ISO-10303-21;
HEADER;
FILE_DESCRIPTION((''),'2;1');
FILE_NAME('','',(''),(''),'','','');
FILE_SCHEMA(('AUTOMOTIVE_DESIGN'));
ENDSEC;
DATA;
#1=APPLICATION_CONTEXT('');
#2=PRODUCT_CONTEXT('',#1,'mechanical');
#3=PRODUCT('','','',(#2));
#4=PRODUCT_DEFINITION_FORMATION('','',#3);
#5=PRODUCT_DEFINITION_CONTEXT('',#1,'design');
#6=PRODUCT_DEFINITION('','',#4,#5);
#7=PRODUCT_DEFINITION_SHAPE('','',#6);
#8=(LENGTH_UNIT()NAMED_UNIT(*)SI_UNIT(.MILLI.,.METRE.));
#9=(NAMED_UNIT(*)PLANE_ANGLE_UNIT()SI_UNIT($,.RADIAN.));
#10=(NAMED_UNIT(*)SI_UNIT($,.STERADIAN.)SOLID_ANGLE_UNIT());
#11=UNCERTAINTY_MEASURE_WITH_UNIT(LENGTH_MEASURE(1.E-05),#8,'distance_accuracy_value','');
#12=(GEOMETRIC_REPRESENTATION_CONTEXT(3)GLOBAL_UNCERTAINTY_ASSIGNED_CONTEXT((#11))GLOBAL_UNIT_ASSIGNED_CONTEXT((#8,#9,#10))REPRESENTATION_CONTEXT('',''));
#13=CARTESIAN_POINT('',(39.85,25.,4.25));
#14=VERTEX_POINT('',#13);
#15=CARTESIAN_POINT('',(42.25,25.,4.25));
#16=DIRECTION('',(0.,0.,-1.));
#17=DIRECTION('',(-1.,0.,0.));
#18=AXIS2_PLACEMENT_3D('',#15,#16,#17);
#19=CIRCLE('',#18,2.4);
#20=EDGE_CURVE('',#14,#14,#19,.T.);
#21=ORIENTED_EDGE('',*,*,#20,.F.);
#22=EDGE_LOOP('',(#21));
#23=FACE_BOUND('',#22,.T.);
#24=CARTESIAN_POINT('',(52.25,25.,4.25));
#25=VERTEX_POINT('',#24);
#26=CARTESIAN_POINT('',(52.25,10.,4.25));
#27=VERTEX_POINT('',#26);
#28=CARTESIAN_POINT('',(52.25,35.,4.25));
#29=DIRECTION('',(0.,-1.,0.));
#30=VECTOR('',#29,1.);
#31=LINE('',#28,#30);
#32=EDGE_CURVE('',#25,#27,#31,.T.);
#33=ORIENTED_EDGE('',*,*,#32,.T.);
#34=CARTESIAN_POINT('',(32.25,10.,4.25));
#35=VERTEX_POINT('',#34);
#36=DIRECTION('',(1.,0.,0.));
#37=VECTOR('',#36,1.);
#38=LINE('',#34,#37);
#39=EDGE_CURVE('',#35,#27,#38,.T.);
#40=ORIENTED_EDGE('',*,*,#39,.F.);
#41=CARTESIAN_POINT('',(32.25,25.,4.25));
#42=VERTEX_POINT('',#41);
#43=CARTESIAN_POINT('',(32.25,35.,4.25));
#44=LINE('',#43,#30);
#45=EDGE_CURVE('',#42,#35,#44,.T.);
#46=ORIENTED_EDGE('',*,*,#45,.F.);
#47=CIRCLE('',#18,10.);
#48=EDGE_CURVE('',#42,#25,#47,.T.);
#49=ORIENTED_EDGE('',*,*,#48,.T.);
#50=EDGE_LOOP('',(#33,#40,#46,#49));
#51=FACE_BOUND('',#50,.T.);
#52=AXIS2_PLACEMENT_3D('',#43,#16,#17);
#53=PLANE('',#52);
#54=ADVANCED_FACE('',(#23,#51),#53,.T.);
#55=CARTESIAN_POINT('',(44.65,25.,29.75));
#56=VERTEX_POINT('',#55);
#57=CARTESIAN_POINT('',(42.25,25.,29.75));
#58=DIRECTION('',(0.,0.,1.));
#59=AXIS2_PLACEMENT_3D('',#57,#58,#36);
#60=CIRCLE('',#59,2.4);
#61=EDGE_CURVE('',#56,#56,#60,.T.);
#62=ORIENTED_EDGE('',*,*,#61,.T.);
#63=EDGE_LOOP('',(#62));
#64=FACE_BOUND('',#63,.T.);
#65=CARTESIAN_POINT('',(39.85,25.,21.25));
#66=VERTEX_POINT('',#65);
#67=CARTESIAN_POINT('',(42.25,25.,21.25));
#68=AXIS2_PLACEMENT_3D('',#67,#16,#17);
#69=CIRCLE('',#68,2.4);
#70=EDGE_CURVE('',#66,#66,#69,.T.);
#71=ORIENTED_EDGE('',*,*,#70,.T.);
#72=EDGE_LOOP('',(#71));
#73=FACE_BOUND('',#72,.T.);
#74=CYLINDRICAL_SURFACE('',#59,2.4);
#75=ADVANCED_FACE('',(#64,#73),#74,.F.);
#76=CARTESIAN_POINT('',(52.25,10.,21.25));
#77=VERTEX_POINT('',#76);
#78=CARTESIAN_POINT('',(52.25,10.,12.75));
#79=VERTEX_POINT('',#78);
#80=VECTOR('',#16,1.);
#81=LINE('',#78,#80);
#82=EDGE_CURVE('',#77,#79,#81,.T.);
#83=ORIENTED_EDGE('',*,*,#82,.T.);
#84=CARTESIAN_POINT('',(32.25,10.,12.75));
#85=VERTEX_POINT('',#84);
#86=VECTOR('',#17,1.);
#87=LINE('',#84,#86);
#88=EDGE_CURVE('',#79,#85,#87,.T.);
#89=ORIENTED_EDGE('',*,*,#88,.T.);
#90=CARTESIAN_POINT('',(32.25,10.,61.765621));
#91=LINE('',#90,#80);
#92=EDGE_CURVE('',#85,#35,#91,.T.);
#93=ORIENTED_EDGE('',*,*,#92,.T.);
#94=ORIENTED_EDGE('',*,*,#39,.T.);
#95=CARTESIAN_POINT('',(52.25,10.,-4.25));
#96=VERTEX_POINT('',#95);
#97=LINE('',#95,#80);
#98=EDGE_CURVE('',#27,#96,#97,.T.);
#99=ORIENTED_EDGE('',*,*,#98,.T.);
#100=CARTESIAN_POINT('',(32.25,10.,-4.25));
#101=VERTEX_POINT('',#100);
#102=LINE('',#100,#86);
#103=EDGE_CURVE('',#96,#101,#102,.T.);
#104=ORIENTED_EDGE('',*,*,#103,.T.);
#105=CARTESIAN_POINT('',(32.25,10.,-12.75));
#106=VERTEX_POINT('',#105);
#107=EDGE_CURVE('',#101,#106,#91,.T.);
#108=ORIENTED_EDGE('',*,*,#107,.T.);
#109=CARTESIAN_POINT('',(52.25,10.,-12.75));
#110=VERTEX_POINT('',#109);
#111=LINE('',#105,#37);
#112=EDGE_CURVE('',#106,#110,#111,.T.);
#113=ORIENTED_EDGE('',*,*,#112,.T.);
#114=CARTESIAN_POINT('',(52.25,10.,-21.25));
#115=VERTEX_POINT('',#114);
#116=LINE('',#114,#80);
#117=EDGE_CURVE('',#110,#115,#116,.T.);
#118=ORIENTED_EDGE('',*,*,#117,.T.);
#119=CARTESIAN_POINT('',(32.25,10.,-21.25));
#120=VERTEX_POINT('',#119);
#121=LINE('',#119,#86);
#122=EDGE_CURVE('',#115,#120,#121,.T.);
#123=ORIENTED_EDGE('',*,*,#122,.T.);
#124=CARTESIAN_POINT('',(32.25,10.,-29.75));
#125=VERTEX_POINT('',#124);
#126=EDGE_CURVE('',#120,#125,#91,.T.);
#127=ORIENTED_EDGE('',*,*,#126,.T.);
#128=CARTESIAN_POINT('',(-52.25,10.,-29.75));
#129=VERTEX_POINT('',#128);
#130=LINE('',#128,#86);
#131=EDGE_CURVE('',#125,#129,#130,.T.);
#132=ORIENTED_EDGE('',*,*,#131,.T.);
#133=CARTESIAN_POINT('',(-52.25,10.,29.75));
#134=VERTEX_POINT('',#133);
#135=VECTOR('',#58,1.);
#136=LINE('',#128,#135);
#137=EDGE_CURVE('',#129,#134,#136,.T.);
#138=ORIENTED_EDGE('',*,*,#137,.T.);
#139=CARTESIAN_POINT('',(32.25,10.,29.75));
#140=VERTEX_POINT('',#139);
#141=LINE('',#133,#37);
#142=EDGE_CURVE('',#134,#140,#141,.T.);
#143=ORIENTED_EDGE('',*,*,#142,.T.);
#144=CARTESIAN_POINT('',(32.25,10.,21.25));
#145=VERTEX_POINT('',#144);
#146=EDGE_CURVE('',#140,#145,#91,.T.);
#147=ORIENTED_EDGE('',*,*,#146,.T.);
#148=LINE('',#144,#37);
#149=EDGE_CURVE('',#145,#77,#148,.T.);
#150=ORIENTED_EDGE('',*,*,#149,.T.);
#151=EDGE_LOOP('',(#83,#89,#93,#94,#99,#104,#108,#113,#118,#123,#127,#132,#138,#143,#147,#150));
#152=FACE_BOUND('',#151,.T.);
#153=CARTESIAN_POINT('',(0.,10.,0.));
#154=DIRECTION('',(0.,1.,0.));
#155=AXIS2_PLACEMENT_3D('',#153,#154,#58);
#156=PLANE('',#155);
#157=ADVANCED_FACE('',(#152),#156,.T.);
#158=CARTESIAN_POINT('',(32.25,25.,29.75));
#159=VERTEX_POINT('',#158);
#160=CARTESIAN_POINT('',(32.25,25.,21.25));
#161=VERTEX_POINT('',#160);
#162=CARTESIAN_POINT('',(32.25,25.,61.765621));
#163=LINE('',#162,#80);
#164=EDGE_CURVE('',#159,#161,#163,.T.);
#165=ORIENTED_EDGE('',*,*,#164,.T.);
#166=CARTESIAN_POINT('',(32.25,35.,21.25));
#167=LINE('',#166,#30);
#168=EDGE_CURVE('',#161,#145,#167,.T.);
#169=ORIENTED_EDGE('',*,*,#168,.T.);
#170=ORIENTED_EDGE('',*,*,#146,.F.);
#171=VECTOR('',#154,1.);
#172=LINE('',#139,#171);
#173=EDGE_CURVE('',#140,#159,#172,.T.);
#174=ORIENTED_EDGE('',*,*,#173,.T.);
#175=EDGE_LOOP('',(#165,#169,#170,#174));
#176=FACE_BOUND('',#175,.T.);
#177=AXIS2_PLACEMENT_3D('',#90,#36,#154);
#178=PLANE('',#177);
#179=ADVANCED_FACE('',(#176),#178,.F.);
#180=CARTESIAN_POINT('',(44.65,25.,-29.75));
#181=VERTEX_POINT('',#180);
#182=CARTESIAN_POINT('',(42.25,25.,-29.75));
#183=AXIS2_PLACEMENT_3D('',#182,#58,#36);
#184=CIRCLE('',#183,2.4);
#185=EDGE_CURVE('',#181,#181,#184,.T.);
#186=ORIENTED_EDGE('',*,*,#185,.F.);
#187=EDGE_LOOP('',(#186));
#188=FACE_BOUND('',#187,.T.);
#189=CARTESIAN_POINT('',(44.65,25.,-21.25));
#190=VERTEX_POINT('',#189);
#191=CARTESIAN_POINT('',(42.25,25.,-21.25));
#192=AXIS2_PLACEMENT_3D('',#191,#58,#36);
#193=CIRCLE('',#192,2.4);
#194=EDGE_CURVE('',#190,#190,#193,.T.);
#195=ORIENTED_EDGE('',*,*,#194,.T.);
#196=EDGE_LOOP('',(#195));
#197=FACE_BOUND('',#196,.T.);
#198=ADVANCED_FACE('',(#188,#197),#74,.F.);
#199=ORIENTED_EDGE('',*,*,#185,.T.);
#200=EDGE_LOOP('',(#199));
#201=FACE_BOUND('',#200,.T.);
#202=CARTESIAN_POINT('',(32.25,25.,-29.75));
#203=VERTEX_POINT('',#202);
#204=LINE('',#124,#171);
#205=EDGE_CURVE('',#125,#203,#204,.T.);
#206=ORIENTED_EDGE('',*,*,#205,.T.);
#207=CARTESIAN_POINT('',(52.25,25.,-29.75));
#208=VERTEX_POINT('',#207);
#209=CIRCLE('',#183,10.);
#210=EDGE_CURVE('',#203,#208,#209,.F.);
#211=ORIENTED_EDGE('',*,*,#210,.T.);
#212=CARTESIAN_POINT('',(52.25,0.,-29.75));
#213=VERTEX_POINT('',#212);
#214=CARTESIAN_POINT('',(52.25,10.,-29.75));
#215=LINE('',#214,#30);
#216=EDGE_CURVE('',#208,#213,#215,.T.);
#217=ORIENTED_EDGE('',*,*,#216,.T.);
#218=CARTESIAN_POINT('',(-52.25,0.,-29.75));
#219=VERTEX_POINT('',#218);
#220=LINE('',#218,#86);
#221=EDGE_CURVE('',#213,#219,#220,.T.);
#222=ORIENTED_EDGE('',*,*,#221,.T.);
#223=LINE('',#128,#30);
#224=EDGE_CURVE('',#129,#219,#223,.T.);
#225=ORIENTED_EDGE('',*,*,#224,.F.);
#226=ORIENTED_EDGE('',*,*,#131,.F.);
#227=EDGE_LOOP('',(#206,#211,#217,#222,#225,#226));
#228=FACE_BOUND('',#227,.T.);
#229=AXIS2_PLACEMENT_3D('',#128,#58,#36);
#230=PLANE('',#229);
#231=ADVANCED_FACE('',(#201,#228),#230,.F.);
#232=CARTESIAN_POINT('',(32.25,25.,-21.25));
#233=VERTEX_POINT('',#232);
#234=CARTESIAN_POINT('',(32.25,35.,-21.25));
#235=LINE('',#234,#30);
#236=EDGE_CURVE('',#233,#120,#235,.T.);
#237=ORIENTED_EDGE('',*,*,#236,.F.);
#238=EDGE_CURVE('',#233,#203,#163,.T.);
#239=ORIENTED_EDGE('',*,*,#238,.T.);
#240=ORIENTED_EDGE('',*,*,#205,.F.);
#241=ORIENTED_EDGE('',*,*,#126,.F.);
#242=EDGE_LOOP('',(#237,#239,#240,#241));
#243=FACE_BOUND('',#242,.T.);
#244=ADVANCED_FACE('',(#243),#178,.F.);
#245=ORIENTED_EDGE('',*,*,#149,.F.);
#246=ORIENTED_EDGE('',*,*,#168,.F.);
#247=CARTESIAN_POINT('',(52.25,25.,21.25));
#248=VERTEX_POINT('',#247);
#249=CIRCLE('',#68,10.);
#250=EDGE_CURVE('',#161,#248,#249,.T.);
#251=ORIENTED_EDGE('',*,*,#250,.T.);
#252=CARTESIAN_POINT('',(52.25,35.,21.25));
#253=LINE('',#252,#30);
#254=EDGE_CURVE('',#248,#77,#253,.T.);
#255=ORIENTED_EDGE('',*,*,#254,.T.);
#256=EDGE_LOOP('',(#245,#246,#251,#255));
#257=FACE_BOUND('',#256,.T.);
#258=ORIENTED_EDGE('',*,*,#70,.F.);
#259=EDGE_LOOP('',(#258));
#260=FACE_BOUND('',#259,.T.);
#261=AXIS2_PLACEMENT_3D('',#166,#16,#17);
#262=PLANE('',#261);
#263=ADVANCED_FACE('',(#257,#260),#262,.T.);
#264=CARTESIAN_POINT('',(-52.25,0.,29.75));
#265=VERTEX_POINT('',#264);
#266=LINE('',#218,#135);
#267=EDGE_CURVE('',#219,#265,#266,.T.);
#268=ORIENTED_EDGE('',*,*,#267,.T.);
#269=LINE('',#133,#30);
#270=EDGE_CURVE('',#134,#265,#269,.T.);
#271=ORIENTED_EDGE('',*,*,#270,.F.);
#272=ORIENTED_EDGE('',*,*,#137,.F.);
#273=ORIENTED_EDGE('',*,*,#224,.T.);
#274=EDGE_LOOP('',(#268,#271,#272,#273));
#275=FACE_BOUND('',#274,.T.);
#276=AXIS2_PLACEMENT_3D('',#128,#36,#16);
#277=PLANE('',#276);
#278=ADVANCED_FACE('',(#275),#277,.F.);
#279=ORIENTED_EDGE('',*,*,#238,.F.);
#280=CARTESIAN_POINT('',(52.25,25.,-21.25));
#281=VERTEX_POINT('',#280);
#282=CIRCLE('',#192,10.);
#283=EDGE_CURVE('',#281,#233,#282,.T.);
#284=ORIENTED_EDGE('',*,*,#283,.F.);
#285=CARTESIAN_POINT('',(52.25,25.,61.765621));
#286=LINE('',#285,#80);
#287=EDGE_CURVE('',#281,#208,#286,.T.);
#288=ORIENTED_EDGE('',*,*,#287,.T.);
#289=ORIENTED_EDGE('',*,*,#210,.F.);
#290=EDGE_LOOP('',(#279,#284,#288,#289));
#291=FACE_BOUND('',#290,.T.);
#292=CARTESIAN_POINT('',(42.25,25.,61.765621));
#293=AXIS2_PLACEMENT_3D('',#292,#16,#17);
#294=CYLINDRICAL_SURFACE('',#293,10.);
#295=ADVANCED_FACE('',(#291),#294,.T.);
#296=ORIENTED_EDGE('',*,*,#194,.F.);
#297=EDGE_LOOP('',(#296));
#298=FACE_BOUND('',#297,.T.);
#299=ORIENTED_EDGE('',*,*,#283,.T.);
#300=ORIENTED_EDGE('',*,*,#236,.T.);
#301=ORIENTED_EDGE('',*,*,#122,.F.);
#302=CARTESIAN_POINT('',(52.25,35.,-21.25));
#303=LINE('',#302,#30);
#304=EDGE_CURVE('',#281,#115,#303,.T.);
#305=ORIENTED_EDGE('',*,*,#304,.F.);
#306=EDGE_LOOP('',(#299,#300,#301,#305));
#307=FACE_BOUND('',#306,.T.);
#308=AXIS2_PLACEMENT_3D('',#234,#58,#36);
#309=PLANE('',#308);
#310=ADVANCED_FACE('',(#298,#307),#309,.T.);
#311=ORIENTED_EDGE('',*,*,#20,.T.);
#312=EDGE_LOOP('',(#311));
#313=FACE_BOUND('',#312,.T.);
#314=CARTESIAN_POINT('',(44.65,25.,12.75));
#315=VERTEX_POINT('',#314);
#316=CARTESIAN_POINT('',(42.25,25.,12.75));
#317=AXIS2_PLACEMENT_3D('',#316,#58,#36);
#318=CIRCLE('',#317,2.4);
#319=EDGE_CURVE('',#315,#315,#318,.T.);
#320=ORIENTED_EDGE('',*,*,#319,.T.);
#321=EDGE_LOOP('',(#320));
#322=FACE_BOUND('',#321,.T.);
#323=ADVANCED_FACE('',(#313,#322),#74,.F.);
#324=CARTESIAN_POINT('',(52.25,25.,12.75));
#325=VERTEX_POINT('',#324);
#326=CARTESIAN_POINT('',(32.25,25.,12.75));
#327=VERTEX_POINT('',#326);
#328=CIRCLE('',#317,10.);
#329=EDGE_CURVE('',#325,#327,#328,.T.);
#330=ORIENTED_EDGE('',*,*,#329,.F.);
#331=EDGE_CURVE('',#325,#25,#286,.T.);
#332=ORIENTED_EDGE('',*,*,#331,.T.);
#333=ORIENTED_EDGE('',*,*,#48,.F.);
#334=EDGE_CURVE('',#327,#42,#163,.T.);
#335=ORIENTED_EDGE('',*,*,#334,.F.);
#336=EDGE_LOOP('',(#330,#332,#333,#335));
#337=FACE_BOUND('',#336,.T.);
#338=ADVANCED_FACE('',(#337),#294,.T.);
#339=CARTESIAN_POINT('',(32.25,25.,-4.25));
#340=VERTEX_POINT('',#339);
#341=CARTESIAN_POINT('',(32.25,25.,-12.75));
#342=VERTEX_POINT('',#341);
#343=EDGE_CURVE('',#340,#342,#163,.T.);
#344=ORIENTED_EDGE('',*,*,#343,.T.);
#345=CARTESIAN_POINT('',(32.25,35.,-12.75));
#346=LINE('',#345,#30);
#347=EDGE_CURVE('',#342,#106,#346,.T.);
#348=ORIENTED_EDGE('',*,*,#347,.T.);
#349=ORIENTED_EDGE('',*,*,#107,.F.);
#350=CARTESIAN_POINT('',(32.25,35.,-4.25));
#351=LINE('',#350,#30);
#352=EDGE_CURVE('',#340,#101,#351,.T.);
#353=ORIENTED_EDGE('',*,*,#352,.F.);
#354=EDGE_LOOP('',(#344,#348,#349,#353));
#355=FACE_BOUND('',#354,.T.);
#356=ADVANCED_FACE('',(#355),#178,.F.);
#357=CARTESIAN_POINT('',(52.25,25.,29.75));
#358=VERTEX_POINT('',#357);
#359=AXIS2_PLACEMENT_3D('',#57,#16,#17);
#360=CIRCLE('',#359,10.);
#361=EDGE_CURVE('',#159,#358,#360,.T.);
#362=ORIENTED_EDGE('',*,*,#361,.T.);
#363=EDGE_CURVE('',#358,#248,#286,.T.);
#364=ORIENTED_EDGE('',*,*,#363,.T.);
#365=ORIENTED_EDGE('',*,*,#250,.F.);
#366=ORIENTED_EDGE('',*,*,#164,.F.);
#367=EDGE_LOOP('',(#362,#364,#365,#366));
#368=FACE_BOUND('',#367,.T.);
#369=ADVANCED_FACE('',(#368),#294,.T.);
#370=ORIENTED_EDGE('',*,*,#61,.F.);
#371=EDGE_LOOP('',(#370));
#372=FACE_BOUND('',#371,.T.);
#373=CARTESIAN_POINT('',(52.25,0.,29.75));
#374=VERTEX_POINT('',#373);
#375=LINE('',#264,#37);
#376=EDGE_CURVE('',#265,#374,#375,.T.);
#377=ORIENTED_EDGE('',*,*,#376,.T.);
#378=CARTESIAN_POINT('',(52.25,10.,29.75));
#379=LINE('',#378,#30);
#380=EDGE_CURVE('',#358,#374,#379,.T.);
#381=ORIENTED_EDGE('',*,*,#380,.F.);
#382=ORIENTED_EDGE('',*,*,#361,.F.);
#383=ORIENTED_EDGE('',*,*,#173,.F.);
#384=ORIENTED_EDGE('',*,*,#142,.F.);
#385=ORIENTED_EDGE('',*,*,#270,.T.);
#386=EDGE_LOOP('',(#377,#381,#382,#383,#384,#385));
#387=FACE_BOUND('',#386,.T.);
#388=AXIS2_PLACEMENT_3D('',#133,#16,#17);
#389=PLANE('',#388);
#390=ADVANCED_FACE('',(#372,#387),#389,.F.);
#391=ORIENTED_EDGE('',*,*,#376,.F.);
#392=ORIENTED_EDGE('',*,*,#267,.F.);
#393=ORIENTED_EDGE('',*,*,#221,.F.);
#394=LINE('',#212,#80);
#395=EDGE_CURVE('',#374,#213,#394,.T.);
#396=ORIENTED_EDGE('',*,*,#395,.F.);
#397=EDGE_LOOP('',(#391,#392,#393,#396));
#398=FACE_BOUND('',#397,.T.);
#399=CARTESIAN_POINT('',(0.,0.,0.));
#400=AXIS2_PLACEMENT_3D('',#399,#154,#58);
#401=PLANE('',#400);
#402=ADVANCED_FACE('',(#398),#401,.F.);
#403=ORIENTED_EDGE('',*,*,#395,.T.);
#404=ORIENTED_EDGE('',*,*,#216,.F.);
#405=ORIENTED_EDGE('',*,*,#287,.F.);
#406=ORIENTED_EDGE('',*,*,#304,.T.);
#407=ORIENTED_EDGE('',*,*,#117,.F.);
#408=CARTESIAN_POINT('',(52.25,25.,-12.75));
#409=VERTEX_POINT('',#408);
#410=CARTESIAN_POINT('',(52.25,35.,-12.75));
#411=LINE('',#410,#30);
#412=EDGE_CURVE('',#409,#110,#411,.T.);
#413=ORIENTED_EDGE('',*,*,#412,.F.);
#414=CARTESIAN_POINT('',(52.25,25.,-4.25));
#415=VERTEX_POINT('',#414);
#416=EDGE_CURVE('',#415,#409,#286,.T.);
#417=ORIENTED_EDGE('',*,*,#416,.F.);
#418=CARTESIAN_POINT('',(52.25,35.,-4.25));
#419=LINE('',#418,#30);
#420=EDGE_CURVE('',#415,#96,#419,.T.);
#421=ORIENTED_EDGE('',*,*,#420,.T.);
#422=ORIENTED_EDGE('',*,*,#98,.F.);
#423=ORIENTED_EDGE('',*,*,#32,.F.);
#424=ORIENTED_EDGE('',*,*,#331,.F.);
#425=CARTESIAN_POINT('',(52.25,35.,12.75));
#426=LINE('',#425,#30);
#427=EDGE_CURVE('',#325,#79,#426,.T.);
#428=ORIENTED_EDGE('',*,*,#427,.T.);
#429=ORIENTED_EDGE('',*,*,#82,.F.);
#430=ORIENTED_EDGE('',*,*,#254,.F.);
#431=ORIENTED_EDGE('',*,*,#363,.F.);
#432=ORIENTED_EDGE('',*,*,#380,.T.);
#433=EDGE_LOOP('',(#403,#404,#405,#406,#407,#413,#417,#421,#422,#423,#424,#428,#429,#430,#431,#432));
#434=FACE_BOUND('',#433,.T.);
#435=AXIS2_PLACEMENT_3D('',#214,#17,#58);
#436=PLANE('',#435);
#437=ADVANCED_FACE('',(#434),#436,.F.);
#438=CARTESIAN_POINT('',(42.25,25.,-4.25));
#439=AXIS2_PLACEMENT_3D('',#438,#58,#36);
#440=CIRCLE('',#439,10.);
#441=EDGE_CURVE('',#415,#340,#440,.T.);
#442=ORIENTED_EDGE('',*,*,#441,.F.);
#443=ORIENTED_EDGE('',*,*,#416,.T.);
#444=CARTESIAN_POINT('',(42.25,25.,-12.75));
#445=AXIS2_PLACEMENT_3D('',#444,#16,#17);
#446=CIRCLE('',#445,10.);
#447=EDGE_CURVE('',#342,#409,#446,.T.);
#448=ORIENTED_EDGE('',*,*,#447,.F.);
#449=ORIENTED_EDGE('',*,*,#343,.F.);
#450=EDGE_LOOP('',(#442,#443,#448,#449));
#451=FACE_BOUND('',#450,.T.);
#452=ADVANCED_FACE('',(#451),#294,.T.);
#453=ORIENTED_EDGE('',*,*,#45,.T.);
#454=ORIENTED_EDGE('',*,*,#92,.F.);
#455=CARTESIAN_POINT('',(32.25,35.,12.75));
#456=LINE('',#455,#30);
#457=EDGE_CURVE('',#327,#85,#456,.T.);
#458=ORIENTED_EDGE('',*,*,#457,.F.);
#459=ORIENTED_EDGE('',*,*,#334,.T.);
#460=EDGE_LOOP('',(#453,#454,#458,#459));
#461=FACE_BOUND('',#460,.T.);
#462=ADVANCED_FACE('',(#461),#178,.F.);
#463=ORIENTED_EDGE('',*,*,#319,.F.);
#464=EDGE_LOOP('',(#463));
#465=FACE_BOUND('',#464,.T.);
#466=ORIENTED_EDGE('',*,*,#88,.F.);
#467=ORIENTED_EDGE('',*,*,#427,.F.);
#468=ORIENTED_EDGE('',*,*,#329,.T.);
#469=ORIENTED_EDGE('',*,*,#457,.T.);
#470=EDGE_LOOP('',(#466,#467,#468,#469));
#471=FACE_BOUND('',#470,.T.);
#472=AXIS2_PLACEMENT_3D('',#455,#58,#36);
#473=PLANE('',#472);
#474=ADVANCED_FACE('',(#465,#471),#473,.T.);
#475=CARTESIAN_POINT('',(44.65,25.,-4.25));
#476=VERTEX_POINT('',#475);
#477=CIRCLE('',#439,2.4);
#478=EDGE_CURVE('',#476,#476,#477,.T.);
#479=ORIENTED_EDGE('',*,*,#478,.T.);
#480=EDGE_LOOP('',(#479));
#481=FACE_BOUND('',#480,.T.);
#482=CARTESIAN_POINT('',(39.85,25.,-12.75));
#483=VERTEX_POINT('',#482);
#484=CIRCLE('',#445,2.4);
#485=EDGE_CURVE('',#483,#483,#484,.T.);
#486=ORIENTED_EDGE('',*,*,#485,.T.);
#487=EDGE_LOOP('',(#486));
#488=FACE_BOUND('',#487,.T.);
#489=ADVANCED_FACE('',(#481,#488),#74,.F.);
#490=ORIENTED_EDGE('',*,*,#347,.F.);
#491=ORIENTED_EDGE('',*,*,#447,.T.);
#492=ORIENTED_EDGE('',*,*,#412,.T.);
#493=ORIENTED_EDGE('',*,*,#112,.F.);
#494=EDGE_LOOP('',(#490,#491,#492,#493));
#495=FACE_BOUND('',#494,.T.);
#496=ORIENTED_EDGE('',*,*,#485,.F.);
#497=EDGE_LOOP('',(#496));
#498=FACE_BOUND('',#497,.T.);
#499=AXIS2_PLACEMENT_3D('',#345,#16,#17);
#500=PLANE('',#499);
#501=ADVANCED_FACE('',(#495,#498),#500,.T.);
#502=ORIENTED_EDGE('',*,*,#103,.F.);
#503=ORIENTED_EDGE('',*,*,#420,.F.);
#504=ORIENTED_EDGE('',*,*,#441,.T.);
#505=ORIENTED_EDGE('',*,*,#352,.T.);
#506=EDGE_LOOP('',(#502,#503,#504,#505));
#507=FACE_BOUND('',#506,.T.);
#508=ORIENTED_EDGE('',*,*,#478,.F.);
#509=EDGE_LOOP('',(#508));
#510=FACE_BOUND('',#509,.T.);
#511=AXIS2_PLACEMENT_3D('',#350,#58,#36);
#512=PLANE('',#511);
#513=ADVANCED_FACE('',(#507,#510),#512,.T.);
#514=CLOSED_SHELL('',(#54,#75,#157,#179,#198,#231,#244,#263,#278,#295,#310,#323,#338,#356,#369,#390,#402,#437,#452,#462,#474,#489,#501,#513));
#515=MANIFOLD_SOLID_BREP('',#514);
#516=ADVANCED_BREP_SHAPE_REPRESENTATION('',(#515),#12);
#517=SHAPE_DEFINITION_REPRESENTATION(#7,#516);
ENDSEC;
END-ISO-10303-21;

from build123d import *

# Parameters (mm, degrees)
SKETCH1_W                       = 104.5
SKETCH1_H                       = 59.5
BOSS_EXTRUDE1_DEPTH             = 10
BOSS_EXTRUDE2_REACH             = 62.952
BOSS_EXTRUDE2_DIRECTION_2_REACH = 62.952
SKETCH4_W                       = 20
SKETCH4_H                       = 8.5
CUT_EXTRUDE1_DEPTH              = 66.116242213
M4_CLEARANCE_HOLE1_D            = 4.8


with BuildPart() as part:
    # Sketch1 → Boss-Extrude1 (new body)
    with BuildSketch(Plane(origin=(0, 0, 0), x_dir=(1, 0, 0), z_dir=(0, 1, 0))):
        Rectangle(SKETCH1_W, SKETCH1_H)
    extrude(amount=BOSS_EXTRUDE1_DEPTH)

    # Boss-Extrude2: up to this face of the body (flat: up to its plane)
    boss_extrude2_end = Plane(part.part.faces().sort_by_distance((0, 5, 29.75))[0])
    # Sketch3 → Boss-Extrude2 (add, up to the picked face)
    with BuildSketch(Plane.XY, mode=Mode.PRIVATE) as boss_extrude2_sk1:
        with BuildLine():
            Line((52.25, 10), (52.25, 25))
            ThreePointArc((52.25, 25), (42.25, 35), (32.25, 25))
            Line((32.25, 25), (32.25, 10))
            Line((32.25, 10), (52.25, 10))
        make_face()
    boss_extrude2_tool1 = split(extrude(boss_extrude2_sk1.sketch, amount=BOSS_EXTRUDE2_REACH, mode=Mode.PRIVATE), bisect_by=boss_extrude2_end, keep=Keep.BOTH, mode=Mode.PRIVATE)
    add(boss_extrude2_tool1.solids().sort_by(Axis((42.25, 21.535979, 0), (0, 0, 1)))[0])

    # Boss-Extrude2 direction 2: up to this face of the body (flat: up to its plane)
    boss_extrude2_direction_2_end = Plane(part.part.faces().sort_by_distance((0, 5, -29.75))[0])
    # Sketch3 → Boss-Extrude2 direction 2 (add, up to the picked face)
    with BuildSketch(Plane.XY, mode=Mode.PRIVATE) as boss_extrude2_direction_2_sk1:
        with BuildLine():
            Line((52.25, 10), (52.25, 25))
            ThreePointArc((52.25, 25), (42.25, 35), (32.25, 25))
            Line((32.25, 25), (32.25, 10))
            Line((32.25, 10), (52.25, 10))
        make_face()
    boss_extrude2_direction_2_tool1 = split(extrude(boss_extrude2_direction_2_sk1.sketch, amount=-BOSS_EXTRUDE2_DIRECTION_2_REACH, mode=Mode.PRIVATE), bisect_by=boss_extrude2_direction_2_end, keep=Keep.BOTH, mode=Mode.PRIVATE)
    add(boss_extrude2_direction_2_tool1.solids().sort_by(Axis((42.25, 21.535979, 0), (0, 0, -1)))[0])

    # Sketch4 → Cut-Extrude1 (cut, through all)
    with BuildSketch(Plane(origin=(0, 10, 0), x_dir=(1, 0, 0), z_dir=(0, 1, 0))):
        with Locations((42.25, 17)):
            Rectangle(SKETCH4_W, SKETCH4_H)
        with Locations((42.25, 0)):
            Rectangle(SKETCH4_W, SKETCH4_H)
        with Locations((42.25, -17)):
            Rectangle(SKETCH4_W, SKETCH4_H)
    extrude(amount=CUT_EXTRUDE1_DEPTH, mode=Mode.SUBTRACT)

    # M4 Clearance Hole1 (through all)
    with Locations(Plane.XY.offset(29.75)):
        with Locations((42.25, 25)):
            Hole(M4_CLEARANCE_HOLE1_D / 2)


solid = part.part
